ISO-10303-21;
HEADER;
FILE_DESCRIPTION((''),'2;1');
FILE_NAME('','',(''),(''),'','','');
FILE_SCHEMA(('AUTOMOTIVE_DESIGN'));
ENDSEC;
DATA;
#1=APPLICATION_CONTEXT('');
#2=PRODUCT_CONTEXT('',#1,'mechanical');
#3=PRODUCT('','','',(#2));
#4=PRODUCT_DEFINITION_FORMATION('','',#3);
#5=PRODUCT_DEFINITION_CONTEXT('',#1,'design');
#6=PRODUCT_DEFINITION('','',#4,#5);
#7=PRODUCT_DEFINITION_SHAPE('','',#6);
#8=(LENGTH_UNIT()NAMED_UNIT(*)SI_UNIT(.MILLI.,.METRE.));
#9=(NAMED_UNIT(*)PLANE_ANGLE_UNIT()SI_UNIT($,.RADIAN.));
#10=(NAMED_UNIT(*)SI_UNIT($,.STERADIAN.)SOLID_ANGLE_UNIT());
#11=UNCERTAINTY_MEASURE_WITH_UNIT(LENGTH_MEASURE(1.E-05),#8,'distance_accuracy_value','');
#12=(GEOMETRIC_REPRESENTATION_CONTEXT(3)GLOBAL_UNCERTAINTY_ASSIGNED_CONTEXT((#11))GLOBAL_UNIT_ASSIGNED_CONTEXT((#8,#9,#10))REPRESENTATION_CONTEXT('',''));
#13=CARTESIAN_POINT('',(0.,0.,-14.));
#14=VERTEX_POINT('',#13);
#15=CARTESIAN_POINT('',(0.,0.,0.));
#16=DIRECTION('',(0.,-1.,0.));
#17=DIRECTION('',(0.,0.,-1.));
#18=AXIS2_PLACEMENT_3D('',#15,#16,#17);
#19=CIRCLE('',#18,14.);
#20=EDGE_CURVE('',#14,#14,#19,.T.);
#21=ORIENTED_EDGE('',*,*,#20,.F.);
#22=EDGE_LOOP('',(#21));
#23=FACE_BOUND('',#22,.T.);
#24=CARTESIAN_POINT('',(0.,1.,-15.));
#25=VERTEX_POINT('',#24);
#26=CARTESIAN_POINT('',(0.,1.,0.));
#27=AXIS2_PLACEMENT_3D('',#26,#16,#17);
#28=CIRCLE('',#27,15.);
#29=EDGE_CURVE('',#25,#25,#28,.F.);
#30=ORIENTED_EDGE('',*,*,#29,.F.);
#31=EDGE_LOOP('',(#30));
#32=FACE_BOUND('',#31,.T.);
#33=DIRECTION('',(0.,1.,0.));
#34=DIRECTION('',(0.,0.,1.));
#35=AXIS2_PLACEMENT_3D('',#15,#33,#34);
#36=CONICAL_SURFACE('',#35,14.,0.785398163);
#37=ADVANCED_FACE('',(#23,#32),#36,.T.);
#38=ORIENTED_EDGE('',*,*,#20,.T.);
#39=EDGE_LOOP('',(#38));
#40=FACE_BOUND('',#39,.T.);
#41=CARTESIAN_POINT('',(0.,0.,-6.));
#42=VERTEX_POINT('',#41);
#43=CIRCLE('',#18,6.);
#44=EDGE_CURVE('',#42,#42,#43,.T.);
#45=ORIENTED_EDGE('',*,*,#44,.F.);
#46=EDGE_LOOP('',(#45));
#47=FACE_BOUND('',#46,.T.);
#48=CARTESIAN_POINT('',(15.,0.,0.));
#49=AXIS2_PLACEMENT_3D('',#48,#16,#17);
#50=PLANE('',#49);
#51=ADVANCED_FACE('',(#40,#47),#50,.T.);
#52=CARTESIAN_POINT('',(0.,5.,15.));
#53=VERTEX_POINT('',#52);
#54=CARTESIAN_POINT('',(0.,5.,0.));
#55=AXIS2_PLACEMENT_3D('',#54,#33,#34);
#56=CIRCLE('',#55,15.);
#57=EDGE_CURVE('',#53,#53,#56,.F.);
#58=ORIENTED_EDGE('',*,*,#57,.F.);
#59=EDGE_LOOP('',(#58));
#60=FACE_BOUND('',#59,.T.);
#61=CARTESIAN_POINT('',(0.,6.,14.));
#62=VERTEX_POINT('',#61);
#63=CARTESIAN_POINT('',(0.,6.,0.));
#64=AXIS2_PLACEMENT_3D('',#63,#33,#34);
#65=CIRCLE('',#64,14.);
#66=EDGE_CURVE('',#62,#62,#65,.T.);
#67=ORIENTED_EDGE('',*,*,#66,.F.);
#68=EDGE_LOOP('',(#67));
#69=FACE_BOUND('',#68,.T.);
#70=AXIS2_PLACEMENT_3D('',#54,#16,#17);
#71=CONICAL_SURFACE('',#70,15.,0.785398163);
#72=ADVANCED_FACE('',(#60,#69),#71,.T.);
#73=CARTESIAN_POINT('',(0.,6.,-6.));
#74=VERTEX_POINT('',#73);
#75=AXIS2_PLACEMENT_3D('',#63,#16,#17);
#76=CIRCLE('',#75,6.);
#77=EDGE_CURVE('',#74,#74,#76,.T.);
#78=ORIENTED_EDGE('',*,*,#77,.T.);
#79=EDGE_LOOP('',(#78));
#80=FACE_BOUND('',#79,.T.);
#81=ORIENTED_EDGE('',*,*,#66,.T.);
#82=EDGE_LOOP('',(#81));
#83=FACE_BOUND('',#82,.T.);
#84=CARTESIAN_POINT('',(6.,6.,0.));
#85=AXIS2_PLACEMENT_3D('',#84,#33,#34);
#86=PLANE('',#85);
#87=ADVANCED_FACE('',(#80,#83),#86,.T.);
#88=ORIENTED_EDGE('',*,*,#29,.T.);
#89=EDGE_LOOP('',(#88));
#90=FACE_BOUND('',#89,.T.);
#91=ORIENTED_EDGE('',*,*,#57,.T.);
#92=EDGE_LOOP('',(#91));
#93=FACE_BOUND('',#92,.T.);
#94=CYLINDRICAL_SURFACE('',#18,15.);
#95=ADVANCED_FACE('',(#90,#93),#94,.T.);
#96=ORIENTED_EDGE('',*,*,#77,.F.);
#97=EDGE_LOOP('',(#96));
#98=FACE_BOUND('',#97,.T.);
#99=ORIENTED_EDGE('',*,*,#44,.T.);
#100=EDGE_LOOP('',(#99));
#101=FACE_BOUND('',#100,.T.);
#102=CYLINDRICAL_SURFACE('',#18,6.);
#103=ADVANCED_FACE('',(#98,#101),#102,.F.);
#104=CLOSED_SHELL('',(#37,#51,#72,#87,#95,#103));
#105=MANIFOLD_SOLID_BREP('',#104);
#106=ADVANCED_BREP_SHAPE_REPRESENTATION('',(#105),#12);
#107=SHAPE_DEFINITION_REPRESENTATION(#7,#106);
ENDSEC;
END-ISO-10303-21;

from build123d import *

# Parameters (mm, degrees)
SKETCH_1_W     = 9
SKETCH_1_H     = 6
CHAMFER_4_SIZE = 1


with BuildPart() as part:
    # Эскиз1 → Повернуть1 (revolve)
    with BuildSketch(Plane.XY):
        with Locations((10.5, 3)):
            Rectangle(SKETCH_1_W, SKETCH_1_H)
    revolve(axis=Axis((0, 0, 0), (0, 1, 0)))

    # Фаска4
    chamfer_4_edges = [part.edges().sort_by_distance(p)[0] for p in [
        (-15, 0, 0),
        (-15, 6, 0),
    ]]
    chamfer(chamfer_4_edges, length=CHAMFER_4_SIZE)


solid = part.part
